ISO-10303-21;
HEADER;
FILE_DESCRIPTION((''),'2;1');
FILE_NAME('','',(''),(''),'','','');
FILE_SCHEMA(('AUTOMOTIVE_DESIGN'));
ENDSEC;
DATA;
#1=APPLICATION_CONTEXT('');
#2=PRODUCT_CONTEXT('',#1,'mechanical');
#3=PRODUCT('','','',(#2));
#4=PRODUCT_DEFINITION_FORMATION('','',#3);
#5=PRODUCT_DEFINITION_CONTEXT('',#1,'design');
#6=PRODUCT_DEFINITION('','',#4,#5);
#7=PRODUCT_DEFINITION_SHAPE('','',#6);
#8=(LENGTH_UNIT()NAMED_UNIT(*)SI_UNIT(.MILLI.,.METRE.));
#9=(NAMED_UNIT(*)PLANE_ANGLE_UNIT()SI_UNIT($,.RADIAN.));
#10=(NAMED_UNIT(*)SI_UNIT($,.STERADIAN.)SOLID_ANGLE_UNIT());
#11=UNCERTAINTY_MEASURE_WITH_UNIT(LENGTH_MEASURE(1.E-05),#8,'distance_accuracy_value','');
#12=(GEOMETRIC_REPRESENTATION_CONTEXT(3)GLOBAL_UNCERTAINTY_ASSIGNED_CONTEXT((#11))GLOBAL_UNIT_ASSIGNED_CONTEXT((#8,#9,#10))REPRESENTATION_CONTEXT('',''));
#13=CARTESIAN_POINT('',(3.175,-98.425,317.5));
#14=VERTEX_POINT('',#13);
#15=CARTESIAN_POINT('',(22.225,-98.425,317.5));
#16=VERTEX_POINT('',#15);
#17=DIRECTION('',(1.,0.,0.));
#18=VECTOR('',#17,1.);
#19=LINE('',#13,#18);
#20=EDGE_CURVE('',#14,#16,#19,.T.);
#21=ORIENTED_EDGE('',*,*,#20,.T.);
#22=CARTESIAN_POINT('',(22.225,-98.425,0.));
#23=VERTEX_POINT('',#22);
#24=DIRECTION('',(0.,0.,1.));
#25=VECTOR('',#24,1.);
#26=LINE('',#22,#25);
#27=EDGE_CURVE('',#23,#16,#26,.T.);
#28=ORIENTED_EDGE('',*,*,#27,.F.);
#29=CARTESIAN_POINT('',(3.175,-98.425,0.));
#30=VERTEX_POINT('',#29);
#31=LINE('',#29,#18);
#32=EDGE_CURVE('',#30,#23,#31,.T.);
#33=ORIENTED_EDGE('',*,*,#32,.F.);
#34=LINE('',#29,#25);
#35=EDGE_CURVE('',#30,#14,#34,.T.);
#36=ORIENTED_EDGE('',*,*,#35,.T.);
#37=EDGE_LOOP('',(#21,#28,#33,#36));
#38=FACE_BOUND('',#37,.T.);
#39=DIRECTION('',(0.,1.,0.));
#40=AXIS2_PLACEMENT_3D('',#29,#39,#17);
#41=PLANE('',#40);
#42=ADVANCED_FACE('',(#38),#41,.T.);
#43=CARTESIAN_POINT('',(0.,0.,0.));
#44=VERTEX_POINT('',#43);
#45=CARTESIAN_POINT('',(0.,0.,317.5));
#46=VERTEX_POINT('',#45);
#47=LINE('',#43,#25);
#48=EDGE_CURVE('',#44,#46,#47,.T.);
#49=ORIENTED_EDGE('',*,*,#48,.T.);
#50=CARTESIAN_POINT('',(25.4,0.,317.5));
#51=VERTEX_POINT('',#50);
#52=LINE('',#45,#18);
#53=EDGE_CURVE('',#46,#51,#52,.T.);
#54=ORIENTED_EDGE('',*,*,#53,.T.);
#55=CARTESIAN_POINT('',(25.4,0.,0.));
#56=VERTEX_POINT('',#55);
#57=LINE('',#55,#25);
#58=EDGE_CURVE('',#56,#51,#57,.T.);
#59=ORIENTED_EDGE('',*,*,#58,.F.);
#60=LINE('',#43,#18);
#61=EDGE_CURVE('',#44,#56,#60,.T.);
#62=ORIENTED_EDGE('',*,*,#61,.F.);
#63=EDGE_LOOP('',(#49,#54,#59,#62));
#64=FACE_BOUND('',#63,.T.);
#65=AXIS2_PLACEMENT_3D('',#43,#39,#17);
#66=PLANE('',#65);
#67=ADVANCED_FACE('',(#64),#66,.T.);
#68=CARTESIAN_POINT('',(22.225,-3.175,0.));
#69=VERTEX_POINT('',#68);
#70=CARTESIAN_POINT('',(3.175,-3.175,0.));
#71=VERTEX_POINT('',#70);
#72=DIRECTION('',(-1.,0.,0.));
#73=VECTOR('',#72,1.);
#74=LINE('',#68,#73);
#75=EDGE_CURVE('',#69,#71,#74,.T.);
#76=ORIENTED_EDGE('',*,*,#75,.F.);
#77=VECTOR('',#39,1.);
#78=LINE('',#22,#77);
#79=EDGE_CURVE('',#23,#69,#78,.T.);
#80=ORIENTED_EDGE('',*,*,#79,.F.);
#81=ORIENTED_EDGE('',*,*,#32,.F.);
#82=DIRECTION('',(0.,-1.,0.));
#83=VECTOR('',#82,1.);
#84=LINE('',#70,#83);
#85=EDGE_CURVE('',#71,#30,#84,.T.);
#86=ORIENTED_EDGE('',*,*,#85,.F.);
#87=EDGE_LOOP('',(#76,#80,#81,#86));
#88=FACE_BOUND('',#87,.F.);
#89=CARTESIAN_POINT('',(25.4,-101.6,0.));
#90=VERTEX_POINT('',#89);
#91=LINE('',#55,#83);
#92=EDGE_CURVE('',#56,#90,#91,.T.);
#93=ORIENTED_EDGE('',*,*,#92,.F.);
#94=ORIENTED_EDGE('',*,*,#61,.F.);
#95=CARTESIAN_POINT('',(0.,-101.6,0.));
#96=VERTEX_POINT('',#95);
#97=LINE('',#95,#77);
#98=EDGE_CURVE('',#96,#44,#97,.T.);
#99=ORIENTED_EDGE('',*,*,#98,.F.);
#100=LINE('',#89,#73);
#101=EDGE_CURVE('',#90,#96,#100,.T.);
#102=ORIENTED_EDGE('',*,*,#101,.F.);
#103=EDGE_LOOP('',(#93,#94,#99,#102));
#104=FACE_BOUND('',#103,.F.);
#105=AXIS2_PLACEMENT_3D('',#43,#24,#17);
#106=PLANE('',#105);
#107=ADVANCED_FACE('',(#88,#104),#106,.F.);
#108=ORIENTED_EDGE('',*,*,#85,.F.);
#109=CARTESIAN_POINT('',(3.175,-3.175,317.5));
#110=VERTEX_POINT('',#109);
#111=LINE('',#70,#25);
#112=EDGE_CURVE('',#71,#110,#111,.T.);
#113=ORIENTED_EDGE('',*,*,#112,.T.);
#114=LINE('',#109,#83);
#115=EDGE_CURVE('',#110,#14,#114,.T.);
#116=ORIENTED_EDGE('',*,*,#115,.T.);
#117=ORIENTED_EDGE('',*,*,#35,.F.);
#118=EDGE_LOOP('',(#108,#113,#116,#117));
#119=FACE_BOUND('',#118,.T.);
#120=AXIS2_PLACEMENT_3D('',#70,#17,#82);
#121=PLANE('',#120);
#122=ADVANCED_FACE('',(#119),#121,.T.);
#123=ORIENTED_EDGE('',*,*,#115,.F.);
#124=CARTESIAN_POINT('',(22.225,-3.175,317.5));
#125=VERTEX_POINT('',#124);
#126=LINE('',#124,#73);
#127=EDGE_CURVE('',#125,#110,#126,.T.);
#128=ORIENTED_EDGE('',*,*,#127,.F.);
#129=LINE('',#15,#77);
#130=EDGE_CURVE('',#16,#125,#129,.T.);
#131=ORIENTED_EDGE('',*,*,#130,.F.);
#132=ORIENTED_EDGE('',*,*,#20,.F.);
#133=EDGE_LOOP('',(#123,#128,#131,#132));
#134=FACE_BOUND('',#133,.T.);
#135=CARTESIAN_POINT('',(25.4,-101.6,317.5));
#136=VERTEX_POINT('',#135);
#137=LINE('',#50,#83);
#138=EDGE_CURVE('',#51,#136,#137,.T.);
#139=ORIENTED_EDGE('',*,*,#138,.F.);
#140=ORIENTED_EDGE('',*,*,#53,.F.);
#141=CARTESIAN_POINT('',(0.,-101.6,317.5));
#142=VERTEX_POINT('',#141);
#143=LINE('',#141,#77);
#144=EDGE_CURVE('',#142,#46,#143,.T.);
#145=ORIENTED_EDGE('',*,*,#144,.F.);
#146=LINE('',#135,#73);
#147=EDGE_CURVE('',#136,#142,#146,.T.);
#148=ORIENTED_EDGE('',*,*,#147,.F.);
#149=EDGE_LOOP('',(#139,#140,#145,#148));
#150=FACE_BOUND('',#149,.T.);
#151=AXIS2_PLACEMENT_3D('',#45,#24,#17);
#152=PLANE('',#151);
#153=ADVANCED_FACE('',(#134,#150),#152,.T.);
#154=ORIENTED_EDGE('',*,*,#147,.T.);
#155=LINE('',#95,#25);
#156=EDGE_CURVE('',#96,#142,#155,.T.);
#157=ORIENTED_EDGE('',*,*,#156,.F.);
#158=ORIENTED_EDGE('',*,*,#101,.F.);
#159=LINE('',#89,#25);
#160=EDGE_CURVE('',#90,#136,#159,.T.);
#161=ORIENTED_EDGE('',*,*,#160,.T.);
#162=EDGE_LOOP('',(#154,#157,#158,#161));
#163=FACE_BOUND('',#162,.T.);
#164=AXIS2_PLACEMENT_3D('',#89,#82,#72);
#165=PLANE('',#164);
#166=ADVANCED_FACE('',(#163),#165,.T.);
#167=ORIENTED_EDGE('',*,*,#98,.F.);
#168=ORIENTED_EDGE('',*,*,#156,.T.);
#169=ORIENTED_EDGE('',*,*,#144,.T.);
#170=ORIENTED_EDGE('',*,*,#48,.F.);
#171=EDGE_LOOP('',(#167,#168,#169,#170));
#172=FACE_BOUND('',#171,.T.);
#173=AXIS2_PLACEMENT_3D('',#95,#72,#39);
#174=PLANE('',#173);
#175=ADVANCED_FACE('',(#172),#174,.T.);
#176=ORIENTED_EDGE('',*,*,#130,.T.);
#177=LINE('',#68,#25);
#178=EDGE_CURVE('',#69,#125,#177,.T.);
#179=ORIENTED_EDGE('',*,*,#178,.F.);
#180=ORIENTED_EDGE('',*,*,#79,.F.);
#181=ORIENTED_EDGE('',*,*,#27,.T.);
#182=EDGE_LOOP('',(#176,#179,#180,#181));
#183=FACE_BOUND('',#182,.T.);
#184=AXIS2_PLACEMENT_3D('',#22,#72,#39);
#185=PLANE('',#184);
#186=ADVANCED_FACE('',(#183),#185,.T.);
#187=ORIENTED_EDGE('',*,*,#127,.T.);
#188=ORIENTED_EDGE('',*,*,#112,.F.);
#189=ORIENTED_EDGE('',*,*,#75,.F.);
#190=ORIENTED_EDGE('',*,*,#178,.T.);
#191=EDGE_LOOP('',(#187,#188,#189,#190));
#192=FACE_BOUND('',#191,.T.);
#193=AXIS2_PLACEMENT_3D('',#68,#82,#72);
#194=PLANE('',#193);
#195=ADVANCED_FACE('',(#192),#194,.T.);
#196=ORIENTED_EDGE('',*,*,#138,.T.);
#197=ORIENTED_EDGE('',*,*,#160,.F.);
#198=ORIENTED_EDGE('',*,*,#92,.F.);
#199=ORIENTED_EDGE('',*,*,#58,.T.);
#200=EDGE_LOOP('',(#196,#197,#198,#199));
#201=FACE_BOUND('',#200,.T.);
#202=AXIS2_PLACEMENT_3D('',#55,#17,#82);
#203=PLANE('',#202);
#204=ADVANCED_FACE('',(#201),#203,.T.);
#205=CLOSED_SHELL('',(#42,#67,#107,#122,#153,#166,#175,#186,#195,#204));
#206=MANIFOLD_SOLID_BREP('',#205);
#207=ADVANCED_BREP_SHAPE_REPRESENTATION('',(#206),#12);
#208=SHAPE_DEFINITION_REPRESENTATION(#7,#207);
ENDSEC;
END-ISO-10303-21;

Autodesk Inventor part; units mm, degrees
ref_plane "YZ Plane" through (0, 0, 0) normal (1, 0, 0) x (0, 1, 0)
ref_plane "XZ Plane" through (0, 0, 0) normal (0, 1, 0) x (-1, 0, 0)
ref_plane "XY Plane" through (0, 0, 0) normal (0, 0, 1) x (1, 0, 0)
sketch "Sketch1" plane through (0, 0, 0) normal (0, 0, 1) x (1, 0, 0)
  line L0 (0, 0) -> (25.4, 0)
  line L1 (25.4, 0) -> (25.4, -101.6)
  line L2 (25.4, -101.6) -> (0, -101.6)
  line L3 (0, -101.6) -> (0, 0)
  line L4 (22.225, -3.175) -> (3.175, -3.175)
  line L5 (3.175, -3.175) -> (3.175, -98.425)
  line L6 (3.175, -98.425) -> (22.225, -98.425)
  line L7 (22.225, -98.425) -> (22.225, -3.175)
  dimension "d0" = 25.4
  dimension "d1" = 101.6
  dimension "d2" = 3.175
extrude "Extrusion1" add sketch "Sketch1" along normal blind 317.5
properties part number "4x1 Box Beam 1 ft"
